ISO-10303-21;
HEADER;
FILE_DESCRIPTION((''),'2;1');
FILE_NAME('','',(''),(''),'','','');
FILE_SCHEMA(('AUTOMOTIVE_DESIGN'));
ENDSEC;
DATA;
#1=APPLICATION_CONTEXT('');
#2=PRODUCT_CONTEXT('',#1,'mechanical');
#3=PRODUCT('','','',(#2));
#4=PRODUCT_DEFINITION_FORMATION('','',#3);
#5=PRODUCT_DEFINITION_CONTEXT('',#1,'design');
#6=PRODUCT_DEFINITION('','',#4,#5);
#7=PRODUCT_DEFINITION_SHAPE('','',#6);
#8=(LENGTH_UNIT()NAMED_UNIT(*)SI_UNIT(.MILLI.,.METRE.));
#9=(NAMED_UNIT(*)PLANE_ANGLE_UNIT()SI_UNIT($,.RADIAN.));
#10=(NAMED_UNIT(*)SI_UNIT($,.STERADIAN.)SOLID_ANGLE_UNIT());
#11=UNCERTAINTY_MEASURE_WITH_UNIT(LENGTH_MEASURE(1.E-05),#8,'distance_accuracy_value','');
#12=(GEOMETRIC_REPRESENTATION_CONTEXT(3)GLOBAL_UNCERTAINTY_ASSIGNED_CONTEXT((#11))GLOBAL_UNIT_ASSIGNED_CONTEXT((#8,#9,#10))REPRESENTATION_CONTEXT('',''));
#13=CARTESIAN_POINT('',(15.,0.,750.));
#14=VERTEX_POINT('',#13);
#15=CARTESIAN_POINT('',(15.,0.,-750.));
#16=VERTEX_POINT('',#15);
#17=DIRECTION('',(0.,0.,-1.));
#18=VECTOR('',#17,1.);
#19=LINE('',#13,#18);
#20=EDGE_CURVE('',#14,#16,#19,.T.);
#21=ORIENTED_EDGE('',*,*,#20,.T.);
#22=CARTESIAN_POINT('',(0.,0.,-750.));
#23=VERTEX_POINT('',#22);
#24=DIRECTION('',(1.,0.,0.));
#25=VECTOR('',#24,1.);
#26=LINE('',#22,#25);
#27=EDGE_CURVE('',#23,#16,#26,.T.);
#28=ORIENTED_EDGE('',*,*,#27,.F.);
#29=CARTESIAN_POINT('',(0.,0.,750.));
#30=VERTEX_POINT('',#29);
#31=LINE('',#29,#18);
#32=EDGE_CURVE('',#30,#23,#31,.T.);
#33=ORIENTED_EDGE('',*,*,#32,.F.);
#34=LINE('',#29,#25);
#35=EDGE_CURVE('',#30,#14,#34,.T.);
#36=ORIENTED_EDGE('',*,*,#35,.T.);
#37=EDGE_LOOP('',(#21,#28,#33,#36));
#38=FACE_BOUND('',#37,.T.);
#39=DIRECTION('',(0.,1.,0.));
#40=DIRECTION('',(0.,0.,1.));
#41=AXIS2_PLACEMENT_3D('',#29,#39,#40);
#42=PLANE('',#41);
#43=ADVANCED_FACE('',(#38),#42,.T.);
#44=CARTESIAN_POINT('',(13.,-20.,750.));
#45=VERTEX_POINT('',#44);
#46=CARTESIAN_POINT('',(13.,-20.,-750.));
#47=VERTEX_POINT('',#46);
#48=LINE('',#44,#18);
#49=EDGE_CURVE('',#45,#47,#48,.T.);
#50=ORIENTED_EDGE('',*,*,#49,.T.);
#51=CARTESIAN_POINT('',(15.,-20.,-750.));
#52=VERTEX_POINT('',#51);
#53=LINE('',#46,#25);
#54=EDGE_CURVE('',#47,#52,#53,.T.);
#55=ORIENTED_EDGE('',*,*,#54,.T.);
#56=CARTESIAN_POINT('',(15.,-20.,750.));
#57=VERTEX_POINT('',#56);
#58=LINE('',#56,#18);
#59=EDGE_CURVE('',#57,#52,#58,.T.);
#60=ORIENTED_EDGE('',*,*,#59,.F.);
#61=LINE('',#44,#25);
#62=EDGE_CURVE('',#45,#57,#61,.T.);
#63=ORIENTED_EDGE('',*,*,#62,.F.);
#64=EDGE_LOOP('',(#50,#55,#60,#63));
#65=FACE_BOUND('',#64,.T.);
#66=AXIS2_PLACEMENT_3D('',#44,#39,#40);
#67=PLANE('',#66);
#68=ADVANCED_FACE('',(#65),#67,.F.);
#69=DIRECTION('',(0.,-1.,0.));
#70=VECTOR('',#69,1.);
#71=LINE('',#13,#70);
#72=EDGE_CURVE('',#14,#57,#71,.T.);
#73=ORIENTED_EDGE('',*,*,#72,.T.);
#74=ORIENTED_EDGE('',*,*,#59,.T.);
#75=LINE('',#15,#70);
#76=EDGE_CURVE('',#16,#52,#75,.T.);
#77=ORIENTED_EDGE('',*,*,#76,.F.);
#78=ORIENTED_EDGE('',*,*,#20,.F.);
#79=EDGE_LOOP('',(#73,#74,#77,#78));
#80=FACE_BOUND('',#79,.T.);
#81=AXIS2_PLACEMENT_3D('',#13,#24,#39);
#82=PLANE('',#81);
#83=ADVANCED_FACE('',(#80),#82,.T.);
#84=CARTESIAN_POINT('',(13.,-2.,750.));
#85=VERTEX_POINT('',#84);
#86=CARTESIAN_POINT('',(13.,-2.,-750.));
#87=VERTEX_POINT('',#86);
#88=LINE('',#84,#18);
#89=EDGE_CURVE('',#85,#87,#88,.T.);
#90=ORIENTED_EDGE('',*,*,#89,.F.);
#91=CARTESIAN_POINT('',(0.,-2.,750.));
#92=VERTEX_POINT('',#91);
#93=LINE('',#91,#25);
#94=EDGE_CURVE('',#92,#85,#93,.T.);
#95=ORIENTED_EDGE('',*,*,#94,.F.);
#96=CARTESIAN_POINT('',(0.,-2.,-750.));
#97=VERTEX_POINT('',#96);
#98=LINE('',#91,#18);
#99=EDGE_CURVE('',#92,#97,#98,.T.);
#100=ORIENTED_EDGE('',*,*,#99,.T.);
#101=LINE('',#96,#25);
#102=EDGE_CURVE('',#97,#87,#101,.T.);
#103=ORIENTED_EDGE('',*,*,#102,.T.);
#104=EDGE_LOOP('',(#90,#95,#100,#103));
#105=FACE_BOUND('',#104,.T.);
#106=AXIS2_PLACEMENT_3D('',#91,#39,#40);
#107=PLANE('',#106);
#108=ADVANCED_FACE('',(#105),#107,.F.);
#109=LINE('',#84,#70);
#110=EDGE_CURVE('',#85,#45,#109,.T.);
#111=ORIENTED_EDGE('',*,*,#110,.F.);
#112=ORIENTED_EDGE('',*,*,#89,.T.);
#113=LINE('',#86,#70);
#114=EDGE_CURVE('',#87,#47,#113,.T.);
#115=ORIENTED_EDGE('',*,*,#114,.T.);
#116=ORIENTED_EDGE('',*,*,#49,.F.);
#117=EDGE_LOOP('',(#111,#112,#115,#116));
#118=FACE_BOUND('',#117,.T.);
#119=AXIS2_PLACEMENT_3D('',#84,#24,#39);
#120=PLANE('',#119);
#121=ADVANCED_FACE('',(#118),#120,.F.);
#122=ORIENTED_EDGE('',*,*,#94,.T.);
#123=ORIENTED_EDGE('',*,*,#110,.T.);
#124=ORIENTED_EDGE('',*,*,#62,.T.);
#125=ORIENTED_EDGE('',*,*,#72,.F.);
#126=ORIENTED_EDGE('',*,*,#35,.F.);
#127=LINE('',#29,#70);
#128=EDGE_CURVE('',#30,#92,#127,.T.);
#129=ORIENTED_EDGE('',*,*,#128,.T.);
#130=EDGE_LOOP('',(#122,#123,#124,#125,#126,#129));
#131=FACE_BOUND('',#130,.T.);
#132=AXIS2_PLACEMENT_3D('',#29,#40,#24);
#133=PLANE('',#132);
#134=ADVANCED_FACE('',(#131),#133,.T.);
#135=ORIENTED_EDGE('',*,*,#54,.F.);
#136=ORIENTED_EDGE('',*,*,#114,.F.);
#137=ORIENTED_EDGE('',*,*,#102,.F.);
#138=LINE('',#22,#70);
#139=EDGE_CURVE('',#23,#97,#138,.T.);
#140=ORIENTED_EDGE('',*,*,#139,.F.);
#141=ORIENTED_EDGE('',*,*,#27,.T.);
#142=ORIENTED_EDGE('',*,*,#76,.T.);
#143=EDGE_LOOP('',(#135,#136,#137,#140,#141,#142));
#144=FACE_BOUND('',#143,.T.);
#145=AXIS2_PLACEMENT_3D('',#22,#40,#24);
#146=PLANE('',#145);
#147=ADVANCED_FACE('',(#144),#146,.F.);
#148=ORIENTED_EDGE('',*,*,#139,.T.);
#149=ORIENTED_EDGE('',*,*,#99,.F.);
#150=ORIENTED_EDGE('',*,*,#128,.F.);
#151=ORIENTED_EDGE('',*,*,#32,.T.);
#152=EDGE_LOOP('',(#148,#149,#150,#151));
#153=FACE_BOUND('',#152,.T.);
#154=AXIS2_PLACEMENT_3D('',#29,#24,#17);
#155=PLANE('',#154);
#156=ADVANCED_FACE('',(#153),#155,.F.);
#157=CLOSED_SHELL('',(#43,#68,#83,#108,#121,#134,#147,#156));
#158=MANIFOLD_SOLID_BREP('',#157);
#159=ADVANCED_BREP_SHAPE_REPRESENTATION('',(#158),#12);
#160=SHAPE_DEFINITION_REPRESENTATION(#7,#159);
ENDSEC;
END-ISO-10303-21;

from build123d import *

# Parameters (mm, degrees)
EXTRUDE_1_DEPTH = 750


with BuildPart() as part:
    # 草图1 → 凸台-拉伸1 (new, symmetric)
    with BuildSketch(Plane.XY):
        Polygon((0, 0), (15, 0), (15, -20), (13, -20), (13, -2), (0, -2), align=None)
    extrude(amount=EXTRUDE_1_DEPTH, both=True)


solid = part.part
